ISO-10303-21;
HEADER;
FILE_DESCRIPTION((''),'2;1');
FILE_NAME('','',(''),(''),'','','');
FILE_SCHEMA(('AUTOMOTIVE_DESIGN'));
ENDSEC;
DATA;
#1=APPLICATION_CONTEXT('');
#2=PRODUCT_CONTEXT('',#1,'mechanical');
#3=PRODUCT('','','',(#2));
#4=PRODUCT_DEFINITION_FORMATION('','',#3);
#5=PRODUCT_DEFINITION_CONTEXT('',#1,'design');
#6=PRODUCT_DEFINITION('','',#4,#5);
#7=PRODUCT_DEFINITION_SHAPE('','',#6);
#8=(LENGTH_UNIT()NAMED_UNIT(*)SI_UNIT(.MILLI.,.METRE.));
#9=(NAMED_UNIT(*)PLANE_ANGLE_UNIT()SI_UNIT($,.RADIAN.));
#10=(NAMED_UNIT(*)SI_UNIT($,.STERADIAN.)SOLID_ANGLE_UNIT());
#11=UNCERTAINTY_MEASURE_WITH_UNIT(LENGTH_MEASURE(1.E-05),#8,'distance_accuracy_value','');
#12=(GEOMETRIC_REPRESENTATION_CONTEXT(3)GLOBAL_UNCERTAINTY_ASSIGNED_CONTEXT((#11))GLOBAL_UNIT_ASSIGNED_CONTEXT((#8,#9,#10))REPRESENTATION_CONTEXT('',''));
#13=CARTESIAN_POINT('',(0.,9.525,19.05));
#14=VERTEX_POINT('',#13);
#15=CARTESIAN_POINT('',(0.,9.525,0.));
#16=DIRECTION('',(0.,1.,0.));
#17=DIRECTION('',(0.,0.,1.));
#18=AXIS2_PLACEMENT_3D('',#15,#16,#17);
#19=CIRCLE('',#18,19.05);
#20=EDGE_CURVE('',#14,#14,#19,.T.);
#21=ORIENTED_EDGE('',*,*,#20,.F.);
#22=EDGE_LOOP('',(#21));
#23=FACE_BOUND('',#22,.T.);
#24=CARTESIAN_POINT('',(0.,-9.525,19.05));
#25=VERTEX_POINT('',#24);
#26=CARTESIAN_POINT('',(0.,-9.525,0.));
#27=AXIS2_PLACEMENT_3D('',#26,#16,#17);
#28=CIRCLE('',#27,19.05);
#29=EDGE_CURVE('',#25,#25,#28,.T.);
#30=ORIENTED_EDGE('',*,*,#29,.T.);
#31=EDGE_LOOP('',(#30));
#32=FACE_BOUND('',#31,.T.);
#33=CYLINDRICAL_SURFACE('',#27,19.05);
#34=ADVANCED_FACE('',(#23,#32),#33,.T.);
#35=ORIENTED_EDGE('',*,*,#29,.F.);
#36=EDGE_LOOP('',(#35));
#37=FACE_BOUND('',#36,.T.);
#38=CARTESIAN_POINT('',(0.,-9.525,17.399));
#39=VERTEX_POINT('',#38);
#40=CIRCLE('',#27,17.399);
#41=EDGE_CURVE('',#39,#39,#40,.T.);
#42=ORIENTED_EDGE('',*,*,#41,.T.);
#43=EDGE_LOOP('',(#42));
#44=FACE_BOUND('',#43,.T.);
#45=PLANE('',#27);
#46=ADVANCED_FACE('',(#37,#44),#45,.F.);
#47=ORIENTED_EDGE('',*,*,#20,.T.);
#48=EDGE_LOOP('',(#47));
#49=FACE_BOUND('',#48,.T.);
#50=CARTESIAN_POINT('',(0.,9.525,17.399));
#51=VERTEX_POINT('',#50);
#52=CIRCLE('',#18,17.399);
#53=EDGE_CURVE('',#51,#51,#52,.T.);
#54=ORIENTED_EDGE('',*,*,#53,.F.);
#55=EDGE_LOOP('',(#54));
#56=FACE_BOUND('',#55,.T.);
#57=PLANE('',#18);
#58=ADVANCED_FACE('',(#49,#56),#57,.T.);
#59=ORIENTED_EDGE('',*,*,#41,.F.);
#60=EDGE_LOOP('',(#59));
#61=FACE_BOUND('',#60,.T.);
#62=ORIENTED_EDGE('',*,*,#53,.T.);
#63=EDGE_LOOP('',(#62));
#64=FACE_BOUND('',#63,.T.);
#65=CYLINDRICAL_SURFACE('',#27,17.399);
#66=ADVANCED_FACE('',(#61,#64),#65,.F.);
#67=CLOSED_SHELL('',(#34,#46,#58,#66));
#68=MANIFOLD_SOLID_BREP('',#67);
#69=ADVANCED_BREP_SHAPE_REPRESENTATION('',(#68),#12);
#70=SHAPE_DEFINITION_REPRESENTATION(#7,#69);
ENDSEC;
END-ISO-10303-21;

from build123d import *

# Parameters (mm, degrees)
SKETCH1_R               = 19.05
EXTRUDE1_DEPTH          = 9.525
EXTRUDE1_DEPTH_BACK     = 9.525
SKETCH2_R               = 17.399
CUT_EXTRUDE1_DEPTH      = 10.525
CUT_EXTRUDE1_DEPTH_BACK = 10.525


with BuildPart() as part:
    # Sketch1 → Extrude1 (new body, two sides)
    with BuildSketch(Plane(origin=(0, 0, 0), x_dir=(1, 0, 0), z_dir=(0, 1, 0))) as extrude1_sk:
        Circle(SKETCH1_R)
    extrude(amount=EXTRUDE1_DEPTH)
    extrude(extrude1_sk.sketch, amount=-EXTRUDE1_DEPTH_BACK)

    # Sketch2 → Cut-Extrude1 (cut, two sides)
    with BuildSketch(Plane(origin=(0, 0, 0), x_dir=(1, 0, 0), z_dir=(0, 1, 0))) as cut_extrude1_sk:
        Circle(SKETCH2_R)
    extrude(amount=CUT_EXTRUDE1_DEPTH, mode=Mode.SUBTRACT)
    extrude(cut_extrude1_sk.sketch, amount=-CUT_EXTRUDE1_DEPTH_BACK, mode=Mode.SUBTRACT)


solid = part.part
